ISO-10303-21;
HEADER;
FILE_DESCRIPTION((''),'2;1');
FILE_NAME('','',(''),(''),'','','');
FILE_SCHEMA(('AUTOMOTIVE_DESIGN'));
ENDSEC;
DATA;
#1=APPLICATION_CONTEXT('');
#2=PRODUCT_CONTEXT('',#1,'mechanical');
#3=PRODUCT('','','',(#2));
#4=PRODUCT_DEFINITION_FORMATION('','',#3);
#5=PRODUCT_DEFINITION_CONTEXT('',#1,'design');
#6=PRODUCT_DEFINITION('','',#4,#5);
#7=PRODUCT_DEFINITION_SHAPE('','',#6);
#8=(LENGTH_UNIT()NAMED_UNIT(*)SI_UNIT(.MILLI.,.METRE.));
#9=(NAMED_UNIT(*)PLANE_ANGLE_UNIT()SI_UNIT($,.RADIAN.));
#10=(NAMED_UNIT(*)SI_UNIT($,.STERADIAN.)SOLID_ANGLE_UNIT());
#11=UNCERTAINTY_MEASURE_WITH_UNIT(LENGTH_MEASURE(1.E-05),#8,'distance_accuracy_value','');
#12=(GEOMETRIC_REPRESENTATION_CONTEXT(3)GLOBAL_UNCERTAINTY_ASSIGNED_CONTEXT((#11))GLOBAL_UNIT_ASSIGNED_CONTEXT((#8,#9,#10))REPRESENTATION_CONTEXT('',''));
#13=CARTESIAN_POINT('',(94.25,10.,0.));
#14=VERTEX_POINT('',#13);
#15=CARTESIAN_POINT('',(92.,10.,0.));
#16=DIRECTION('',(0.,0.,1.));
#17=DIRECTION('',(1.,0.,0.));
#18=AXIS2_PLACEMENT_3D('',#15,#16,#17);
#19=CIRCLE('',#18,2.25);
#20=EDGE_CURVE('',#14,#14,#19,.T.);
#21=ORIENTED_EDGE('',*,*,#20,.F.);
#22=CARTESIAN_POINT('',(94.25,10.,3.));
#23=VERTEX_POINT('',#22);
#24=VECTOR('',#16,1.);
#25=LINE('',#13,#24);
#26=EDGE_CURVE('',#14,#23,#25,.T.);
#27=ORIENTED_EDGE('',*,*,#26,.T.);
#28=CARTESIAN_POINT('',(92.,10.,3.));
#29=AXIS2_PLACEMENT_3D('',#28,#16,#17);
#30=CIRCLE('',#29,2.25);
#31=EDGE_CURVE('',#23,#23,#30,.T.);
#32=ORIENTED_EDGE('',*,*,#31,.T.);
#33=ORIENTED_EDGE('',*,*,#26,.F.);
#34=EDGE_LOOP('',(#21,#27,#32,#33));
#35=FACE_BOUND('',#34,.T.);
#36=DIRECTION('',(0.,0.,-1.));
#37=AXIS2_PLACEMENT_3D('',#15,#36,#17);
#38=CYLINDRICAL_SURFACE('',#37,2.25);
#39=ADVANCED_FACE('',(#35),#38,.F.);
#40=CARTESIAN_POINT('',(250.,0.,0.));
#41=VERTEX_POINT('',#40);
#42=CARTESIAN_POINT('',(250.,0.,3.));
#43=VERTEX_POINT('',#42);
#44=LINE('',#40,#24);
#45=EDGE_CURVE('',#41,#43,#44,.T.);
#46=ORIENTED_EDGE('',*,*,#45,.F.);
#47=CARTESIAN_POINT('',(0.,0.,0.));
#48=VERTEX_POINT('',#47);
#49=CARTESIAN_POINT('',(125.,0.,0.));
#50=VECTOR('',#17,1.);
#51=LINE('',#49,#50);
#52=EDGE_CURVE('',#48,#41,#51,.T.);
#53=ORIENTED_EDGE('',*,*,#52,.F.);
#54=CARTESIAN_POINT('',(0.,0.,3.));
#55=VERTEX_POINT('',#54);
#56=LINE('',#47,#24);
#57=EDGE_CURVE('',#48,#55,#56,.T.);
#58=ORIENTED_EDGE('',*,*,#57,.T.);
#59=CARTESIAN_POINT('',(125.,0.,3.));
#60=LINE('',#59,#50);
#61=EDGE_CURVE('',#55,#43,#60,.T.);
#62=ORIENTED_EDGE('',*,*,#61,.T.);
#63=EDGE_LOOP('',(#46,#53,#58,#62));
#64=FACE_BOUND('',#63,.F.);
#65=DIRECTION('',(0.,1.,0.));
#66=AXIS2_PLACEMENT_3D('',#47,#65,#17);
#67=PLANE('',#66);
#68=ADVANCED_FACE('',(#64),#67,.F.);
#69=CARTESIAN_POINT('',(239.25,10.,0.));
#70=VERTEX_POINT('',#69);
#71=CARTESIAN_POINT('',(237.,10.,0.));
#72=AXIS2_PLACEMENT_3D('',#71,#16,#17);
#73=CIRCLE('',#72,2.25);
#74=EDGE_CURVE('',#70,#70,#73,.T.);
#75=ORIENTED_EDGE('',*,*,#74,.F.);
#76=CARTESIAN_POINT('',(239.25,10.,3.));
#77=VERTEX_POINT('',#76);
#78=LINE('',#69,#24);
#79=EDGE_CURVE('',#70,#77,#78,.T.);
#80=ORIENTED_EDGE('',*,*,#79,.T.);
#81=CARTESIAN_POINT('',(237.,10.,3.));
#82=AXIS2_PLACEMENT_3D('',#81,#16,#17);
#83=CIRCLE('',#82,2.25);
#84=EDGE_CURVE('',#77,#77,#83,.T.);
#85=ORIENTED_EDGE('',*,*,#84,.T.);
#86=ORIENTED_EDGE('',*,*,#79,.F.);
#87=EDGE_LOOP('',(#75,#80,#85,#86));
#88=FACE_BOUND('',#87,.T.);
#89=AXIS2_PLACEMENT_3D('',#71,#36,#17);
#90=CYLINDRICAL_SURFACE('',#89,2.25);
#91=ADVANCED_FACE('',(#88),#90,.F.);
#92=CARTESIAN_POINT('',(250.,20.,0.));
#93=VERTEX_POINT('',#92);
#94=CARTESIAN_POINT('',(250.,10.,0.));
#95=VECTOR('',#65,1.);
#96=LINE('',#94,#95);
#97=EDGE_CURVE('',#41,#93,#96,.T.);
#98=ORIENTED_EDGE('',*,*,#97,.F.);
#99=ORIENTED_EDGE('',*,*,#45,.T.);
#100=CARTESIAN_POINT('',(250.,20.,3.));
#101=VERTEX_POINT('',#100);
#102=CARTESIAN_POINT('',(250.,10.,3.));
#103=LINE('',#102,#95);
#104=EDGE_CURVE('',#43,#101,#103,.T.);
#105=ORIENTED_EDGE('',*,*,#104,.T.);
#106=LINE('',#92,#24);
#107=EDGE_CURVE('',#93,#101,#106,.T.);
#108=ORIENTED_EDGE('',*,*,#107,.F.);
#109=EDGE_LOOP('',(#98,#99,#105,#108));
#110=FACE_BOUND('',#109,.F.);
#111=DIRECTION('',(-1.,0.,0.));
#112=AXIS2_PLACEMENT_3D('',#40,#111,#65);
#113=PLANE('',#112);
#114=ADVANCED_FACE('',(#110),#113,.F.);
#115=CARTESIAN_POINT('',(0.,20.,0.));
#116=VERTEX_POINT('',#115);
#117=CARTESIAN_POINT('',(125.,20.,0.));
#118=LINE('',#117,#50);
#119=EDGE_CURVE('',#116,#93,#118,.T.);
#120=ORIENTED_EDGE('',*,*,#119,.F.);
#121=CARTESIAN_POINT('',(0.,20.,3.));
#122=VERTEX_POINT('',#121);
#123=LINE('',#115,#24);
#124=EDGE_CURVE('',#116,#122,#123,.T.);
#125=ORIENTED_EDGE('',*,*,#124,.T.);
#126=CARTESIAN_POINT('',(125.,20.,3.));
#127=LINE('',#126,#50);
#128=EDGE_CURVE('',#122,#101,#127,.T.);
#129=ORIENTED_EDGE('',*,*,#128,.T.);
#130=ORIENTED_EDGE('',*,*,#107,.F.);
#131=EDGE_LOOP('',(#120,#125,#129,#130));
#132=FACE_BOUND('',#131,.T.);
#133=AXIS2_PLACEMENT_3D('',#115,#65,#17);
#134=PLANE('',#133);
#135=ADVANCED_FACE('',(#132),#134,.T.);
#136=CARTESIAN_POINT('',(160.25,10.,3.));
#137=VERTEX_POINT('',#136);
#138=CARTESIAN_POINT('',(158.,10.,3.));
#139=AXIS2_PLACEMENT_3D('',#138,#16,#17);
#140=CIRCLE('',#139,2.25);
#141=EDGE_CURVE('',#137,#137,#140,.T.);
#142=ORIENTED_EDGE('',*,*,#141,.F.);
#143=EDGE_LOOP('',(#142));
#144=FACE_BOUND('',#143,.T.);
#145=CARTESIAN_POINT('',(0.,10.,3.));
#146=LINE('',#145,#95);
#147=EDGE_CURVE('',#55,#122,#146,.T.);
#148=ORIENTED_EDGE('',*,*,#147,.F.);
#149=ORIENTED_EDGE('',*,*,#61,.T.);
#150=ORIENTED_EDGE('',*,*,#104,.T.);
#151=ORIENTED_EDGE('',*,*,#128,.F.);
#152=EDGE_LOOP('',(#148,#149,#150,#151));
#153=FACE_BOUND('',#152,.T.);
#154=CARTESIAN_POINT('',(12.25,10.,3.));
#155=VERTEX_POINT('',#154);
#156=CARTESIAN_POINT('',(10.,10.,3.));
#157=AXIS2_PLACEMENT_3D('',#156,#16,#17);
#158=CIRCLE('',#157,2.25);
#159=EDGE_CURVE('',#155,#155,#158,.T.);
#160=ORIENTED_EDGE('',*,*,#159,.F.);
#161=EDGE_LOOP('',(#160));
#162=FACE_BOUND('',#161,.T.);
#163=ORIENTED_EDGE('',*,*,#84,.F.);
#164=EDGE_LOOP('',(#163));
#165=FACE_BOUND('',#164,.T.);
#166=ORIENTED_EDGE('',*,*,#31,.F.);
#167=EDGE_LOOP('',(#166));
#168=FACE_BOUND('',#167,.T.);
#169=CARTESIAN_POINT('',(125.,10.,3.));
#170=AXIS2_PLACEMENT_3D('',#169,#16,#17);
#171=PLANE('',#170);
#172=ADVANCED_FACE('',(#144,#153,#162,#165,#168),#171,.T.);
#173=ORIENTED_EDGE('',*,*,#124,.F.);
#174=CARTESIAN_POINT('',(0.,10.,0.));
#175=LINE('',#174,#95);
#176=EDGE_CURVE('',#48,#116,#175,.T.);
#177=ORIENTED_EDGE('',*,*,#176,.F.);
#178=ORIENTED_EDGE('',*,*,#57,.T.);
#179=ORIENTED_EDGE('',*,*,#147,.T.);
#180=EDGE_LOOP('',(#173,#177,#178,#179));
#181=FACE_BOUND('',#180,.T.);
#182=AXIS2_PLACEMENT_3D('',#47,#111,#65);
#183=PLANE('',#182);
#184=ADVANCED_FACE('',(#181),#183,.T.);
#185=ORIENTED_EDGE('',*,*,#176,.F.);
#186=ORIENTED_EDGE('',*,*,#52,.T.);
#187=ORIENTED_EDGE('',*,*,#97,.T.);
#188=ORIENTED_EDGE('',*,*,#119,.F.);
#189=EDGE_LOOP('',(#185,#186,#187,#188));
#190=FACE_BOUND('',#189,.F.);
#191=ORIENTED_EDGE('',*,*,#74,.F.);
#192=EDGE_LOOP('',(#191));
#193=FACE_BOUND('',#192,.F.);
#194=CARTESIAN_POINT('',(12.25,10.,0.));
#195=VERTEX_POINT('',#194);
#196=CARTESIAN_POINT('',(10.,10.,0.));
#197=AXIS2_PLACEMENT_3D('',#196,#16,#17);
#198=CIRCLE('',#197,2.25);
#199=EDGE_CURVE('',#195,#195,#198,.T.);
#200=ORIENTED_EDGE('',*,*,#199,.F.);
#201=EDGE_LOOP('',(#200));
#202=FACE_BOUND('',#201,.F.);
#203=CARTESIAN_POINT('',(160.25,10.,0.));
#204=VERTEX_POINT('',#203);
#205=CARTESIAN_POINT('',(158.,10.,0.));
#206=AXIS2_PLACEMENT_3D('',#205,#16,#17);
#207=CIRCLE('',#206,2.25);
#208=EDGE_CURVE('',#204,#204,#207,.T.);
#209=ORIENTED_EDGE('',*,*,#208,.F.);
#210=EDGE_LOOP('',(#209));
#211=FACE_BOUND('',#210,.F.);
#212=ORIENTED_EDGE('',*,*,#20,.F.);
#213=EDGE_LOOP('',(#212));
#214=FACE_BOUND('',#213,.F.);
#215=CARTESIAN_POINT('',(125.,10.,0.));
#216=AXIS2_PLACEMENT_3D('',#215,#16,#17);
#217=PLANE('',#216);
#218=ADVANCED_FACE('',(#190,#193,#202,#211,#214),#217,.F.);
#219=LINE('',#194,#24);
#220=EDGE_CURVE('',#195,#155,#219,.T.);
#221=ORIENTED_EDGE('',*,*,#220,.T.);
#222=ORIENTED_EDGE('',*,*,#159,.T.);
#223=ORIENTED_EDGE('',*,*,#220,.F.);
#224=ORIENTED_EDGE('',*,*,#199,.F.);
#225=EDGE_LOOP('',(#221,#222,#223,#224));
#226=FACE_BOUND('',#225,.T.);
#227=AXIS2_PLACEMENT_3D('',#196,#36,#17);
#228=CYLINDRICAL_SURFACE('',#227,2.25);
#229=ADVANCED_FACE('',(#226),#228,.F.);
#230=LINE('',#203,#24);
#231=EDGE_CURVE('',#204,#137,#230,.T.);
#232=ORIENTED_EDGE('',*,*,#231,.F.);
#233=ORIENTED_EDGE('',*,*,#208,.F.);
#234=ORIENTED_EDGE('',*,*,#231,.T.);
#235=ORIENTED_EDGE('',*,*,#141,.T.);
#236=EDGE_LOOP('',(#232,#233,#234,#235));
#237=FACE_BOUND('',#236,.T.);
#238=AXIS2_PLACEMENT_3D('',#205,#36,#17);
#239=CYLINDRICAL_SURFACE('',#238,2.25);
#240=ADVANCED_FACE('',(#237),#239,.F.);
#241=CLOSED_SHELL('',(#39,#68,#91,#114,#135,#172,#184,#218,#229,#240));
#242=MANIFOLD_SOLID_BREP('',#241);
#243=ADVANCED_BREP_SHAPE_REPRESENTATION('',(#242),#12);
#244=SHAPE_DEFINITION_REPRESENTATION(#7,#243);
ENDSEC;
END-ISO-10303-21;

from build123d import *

# Parameters (mm, degrees)
BOX_W             = 250
BOX_H             = 20
BOX_DEPTH         = 3
CYLINDER_R        = 2.25
CYLINDER_DEPTH    = 3
CYLINDER001_R     = 2.25
CYLINDER001_DEPTH = 3
CYLINDER002_R     = 2.25
CYLINDER002_DEPTH = 3
CYLINDER003_R     = 2.25
CYLINDER003_DEPTH = 3


with BuildPart() as part:
    # Box → Box (join)
    with BuildSketch(Plane.XY):
        with Locations((125, 10)):
            Rectangle(BOX_W, BOX_H)
    extrude(amount=BOX_DEPTH)

    # Cylinder → Cylinder (cut)
    with BuildSketch(Plane(origin=(10, 10, 0), x_dir=(1, 0, 0), z_dir=(0, 0, 1))):
        Circle(CYLINDER_R)
    extrude(amount=CYLINDER_DEPTH, mode=Mode.SUBTRACT)

    # Cylinder001 → Cylinder001 (cut)
    with BuildSketch(Plane(origin=(237, 10, 0), x_dir=(1, 0, 0), z_dir=(0, 0, 1))):
        Circle(CYLINDER001_R)
    extrude(amount=CYLINDER001_DEPTH, mode=Mode.SUBTRACT)

    # Cylinder002 → Cylinder002 (cut)
    with BuildSketch(Plane(origin=(92, 10, 0), x_dir=(1, 0, 0), z_dir=(0, 0, 1))):
        Circle(CYLINDER002_R)
    extrude(amount=CYLINDER002_DEPTH, mode=Mode.SUBTRACT)

    # Cylinder003 → Cylinder003 (cut)
    with BuildSketch(Plane(origin=(158, 10, 0), x_dir=(1, 0, 0), z_dir=(0, 0, 1))):
        Circle(CYLINDER003_R)
    extrude(amount=CYLINDER003_DEPTH, mode=Mode.SUBTRACT)


solid = part.part
